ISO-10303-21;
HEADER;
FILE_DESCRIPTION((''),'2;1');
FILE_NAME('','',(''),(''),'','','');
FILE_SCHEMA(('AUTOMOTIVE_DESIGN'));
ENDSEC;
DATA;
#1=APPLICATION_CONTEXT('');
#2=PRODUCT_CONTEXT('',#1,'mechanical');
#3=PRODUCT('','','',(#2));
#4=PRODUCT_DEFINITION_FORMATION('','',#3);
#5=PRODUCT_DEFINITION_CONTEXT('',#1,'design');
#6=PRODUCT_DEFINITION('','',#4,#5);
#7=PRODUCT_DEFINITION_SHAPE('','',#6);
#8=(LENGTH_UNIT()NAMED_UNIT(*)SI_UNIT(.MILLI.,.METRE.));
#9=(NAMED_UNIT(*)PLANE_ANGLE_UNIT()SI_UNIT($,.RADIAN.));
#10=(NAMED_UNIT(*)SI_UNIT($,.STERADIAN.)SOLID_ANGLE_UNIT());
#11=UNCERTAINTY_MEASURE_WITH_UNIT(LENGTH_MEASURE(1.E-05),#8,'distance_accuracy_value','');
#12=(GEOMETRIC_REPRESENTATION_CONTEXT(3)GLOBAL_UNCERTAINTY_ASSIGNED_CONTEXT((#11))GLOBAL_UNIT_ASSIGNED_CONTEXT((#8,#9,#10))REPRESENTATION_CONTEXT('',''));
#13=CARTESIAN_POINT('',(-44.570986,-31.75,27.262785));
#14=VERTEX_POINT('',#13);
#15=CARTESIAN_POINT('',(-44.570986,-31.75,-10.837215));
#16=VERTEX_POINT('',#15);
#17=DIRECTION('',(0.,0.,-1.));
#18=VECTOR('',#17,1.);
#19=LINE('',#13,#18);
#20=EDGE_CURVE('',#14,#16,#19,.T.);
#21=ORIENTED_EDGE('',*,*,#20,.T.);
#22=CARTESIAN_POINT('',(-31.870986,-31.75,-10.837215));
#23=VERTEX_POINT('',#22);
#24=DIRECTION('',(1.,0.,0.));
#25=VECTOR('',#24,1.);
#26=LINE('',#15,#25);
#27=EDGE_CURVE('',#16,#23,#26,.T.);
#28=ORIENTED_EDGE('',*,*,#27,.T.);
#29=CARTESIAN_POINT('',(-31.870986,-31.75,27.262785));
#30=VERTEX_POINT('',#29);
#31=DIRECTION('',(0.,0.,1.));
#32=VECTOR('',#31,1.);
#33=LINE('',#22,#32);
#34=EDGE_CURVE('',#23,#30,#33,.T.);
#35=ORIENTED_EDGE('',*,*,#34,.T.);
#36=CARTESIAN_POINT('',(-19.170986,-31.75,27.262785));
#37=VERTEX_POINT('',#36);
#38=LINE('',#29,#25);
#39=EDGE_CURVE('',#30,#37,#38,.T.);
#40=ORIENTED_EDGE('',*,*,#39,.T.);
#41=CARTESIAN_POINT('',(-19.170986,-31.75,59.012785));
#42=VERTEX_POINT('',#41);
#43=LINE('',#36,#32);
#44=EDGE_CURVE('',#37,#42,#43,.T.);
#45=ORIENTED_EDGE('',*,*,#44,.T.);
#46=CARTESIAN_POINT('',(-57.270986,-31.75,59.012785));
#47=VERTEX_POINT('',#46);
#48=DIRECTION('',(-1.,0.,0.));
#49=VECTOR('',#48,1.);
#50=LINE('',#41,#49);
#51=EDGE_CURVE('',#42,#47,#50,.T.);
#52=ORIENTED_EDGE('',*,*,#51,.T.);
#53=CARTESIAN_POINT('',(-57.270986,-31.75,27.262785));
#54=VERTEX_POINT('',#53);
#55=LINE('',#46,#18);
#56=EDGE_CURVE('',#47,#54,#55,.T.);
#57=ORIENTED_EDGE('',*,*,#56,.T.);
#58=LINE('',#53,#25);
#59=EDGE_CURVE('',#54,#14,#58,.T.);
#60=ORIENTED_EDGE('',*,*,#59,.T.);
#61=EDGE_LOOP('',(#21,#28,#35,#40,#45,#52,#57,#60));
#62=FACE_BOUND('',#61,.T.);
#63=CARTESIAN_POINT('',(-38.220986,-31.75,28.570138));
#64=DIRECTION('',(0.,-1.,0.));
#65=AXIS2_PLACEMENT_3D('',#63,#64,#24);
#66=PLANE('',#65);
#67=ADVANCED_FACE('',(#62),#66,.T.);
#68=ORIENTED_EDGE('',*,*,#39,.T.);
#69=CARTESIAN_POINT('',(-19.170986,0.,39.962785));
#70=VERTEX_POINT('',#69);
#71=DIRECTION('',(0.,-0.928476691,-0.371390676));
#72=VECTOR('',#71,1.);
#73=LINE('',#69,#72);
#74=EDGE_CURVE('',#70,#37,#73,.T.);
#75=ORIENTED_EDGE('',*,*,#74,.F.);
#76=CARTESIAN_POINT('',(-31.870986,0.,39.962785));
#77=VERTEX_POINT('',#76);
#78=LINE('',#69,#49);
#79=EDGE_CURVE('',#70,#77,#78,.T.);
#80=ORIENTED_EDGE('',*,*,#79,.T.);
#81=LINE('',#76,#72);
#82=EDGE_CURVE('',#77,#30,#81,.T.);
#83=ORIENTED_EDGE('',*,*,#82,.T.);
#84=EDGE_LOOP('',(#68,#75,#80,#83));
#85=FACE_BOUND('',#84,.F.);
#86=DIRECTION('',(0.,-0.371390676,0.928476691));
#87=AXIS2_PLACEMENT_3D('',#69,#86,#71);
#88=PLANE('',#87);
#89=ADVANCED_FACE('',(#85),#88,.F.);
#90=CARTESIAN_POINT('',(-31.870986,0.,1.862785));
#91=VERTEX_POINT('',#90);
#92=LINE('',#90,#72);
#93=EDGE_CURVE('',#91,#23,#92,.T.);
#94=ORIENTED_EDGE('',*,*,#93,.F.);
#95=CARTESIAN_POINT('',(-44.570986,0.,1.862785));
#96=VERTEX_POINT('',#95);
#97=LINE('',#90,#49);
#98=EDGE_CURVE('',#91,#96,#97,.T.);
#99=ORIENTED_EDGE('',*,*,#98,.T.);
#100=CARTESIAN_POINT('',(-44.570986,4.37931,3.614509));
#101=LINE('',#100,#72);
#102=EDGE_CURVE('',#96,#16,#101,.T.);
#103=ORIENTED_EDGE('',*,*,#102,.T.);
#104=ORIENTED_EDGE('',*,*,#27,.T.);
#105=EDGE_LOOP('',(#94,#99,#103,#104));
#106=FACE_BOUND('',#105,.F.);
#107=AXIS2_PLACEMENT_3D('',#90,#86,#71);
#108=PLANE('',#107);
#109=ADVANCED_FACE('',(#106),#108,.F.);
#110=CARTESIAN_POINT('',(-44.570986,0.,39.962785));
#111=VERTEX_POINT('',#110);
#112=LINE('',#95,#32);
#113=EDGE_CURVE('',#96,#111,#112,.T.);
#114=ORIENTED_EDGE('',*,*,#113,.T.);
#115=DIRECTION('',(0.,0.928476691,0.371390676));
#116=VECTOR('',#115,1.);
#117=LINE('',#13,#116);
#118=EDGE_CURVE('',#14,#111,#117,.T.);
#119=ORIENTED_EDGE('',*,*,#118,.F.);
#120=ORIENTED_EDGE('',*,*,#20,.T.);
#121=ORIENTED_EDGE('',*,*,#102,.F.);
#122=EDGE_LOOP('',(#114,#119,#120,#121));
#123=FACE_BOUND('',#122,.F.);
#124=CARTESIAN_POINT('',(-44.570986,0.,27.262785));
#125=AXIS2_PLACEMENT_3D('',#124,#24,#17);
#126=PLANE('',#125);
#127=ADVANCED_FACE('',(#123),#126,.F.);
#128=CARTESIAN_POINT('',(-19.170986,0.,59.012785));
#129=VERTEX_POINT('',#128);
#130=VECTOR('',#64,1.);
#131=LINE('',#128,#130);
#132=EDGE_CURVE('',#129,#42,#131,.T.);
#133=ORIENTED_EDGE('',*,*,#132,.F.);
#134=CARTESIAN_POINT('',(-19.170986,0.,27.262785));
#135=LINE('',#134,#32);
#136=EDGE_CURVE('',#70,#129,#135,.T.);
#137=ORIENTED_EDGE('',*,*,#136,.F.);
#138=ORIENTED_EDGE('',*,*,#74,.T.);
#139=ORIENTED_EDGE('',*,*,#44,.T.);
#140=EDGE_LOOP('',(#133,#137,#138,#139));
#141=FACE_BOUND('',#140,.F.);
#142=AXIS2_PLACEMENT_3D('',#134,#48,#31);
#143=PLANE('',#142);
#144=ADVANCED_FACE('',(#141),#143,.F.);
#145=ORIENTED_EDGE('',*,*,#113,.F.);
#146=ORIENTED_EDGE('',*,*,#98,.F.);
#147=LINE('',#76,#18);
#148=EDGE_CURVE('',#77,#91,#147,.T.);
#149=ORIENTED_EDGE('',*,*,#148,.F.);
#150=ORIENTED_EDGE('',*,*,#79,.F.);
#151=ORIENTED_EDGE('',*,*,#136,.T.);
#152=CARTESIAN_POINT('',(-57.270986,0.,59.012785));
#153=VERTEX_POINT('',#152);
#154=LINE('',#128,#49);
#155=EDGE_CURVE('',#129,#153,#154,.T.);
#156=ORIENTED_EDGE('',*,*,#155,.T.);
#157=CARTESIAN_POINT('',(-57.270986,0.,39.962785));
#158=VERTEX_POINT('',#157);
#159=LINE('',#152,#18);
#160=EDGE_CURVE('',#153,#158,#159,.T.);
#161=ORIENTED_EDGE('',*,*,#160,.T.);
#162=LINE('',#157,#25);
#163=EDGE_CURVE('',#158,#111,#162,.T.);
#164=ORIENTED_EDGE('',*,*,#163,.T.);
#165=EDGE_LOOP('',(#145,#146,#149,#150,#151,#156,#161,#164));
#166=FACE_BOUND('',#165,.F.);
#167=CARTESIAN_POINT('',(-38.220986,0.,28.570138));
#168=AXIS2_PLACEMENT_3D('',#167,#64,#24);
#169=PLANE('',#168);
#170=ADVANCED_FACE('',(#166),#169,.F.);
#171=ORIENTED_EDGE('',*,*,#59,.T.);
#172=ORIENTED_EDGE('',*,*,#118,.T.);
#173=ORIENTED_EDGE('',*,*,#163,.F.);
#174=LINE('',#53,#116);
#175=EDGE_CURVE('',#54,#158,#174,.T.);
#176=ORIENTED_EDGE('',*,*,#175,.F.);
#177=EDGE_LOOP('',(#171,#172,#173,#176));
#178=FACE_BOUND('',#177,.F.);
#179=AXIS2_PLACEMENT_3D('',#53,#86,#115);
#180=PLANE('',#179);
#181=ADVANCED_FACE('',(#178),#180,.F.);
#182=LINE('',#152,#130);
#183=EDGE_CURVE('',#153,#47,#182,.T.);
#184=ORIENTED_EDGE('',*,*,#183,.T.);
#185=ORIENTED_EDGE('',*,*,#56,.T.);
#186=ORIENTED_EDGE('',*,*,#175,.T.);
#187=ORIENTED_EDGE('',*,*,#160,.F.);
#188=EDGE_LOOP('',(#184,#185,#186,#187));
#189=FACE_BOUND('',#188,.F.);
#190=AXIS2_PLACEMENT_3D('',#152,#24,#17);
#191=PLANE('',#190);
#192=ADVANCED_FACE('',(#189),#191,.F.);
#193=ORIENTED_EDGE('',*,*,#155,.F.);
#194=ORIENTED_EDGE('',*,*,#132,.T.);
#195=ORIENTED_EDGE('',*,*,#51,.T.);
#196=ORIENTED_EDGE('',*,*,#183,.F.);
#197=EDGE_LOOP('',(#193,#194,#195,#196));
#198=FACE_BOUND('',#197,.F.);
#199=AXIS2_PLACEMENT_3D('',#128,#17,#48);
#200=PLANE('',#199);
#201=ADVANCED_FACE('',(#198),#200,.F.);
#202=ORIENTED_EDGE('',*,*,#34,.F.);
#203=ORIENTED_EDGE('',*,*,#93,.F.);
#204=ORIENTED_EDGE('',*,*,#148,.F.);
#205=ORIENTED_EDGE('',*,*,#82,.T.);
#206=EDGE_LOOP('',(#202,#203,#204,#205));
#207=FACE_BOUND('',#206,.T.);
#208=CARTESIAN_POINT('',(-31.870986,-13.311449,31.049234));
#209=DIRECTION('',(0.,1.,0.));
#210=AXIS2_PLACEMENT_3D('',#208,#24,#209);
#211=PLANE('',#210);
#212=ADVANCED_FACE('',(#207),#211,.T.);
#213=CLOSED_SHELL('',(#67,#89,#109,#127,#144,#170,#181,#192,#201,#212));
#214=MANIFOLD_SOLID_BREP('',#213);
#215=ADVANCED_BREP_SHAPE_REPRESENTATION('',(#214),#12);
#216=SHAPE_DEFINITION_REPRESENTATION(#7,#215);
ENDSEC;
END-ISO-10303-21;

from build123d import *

# Parameters (mm, degrees)
F1_DEPTH = 31.75
F3_DEPTH = 25.4
F5_DEPTH = 12.7
F7_DEPTH = 12.7


with BuildPart() as f1:
    # F0 (on Front) → F1 (new body)
    with BuildSketch(Plane.XZ):
        Polygon((-19.170986, 59.012785), (-57.270986, 59.012785), (-57.270986, 27.262785), (-44.570986, 27.262785), (-44.570986, -10.837215), (-31.870986, -10.837215), (-31.870986, 27.262785), (-19.170986, 27.262785), align=None)
    extrude(amount=F1_DEPTH)

    # F2 (on face) → F3 (cut)
    with BuildSketch(Plane.YZ.offset(-31.870986)):
        Polygon((0, 1.862785), (-31.75, -10.837215), (0, -10.837215), align=None)
    extrude(amount=-F3_DEPTH, mode=Mode.SUBTRACT)

    # F4 (on face) → F5 (cut)
    with BuildSketch(Plane.YZ.offset(-19.170986)):
        Polygon((0, 39.962785), (-31.75, 27.262785), (0, 27.262785), align=None)
    extrude(amount=-F5_DEPTH, mode=Mode.SUBTRACT)

    # F6 (on face) → F7 (cut)
    with BuildSketch(Plane(origin=(-57.270986, 0, 0), x_dir=(0, -1, 0), z_dir=(-1, 0, 0))):
        Polygon((0, 27.262785), (31.75, 27.262785), (0, 39.962785), align=None)
    extrude(amount=-F7_DEPTH, mode=Mode.SUBTRACT)


solid = f1.part
